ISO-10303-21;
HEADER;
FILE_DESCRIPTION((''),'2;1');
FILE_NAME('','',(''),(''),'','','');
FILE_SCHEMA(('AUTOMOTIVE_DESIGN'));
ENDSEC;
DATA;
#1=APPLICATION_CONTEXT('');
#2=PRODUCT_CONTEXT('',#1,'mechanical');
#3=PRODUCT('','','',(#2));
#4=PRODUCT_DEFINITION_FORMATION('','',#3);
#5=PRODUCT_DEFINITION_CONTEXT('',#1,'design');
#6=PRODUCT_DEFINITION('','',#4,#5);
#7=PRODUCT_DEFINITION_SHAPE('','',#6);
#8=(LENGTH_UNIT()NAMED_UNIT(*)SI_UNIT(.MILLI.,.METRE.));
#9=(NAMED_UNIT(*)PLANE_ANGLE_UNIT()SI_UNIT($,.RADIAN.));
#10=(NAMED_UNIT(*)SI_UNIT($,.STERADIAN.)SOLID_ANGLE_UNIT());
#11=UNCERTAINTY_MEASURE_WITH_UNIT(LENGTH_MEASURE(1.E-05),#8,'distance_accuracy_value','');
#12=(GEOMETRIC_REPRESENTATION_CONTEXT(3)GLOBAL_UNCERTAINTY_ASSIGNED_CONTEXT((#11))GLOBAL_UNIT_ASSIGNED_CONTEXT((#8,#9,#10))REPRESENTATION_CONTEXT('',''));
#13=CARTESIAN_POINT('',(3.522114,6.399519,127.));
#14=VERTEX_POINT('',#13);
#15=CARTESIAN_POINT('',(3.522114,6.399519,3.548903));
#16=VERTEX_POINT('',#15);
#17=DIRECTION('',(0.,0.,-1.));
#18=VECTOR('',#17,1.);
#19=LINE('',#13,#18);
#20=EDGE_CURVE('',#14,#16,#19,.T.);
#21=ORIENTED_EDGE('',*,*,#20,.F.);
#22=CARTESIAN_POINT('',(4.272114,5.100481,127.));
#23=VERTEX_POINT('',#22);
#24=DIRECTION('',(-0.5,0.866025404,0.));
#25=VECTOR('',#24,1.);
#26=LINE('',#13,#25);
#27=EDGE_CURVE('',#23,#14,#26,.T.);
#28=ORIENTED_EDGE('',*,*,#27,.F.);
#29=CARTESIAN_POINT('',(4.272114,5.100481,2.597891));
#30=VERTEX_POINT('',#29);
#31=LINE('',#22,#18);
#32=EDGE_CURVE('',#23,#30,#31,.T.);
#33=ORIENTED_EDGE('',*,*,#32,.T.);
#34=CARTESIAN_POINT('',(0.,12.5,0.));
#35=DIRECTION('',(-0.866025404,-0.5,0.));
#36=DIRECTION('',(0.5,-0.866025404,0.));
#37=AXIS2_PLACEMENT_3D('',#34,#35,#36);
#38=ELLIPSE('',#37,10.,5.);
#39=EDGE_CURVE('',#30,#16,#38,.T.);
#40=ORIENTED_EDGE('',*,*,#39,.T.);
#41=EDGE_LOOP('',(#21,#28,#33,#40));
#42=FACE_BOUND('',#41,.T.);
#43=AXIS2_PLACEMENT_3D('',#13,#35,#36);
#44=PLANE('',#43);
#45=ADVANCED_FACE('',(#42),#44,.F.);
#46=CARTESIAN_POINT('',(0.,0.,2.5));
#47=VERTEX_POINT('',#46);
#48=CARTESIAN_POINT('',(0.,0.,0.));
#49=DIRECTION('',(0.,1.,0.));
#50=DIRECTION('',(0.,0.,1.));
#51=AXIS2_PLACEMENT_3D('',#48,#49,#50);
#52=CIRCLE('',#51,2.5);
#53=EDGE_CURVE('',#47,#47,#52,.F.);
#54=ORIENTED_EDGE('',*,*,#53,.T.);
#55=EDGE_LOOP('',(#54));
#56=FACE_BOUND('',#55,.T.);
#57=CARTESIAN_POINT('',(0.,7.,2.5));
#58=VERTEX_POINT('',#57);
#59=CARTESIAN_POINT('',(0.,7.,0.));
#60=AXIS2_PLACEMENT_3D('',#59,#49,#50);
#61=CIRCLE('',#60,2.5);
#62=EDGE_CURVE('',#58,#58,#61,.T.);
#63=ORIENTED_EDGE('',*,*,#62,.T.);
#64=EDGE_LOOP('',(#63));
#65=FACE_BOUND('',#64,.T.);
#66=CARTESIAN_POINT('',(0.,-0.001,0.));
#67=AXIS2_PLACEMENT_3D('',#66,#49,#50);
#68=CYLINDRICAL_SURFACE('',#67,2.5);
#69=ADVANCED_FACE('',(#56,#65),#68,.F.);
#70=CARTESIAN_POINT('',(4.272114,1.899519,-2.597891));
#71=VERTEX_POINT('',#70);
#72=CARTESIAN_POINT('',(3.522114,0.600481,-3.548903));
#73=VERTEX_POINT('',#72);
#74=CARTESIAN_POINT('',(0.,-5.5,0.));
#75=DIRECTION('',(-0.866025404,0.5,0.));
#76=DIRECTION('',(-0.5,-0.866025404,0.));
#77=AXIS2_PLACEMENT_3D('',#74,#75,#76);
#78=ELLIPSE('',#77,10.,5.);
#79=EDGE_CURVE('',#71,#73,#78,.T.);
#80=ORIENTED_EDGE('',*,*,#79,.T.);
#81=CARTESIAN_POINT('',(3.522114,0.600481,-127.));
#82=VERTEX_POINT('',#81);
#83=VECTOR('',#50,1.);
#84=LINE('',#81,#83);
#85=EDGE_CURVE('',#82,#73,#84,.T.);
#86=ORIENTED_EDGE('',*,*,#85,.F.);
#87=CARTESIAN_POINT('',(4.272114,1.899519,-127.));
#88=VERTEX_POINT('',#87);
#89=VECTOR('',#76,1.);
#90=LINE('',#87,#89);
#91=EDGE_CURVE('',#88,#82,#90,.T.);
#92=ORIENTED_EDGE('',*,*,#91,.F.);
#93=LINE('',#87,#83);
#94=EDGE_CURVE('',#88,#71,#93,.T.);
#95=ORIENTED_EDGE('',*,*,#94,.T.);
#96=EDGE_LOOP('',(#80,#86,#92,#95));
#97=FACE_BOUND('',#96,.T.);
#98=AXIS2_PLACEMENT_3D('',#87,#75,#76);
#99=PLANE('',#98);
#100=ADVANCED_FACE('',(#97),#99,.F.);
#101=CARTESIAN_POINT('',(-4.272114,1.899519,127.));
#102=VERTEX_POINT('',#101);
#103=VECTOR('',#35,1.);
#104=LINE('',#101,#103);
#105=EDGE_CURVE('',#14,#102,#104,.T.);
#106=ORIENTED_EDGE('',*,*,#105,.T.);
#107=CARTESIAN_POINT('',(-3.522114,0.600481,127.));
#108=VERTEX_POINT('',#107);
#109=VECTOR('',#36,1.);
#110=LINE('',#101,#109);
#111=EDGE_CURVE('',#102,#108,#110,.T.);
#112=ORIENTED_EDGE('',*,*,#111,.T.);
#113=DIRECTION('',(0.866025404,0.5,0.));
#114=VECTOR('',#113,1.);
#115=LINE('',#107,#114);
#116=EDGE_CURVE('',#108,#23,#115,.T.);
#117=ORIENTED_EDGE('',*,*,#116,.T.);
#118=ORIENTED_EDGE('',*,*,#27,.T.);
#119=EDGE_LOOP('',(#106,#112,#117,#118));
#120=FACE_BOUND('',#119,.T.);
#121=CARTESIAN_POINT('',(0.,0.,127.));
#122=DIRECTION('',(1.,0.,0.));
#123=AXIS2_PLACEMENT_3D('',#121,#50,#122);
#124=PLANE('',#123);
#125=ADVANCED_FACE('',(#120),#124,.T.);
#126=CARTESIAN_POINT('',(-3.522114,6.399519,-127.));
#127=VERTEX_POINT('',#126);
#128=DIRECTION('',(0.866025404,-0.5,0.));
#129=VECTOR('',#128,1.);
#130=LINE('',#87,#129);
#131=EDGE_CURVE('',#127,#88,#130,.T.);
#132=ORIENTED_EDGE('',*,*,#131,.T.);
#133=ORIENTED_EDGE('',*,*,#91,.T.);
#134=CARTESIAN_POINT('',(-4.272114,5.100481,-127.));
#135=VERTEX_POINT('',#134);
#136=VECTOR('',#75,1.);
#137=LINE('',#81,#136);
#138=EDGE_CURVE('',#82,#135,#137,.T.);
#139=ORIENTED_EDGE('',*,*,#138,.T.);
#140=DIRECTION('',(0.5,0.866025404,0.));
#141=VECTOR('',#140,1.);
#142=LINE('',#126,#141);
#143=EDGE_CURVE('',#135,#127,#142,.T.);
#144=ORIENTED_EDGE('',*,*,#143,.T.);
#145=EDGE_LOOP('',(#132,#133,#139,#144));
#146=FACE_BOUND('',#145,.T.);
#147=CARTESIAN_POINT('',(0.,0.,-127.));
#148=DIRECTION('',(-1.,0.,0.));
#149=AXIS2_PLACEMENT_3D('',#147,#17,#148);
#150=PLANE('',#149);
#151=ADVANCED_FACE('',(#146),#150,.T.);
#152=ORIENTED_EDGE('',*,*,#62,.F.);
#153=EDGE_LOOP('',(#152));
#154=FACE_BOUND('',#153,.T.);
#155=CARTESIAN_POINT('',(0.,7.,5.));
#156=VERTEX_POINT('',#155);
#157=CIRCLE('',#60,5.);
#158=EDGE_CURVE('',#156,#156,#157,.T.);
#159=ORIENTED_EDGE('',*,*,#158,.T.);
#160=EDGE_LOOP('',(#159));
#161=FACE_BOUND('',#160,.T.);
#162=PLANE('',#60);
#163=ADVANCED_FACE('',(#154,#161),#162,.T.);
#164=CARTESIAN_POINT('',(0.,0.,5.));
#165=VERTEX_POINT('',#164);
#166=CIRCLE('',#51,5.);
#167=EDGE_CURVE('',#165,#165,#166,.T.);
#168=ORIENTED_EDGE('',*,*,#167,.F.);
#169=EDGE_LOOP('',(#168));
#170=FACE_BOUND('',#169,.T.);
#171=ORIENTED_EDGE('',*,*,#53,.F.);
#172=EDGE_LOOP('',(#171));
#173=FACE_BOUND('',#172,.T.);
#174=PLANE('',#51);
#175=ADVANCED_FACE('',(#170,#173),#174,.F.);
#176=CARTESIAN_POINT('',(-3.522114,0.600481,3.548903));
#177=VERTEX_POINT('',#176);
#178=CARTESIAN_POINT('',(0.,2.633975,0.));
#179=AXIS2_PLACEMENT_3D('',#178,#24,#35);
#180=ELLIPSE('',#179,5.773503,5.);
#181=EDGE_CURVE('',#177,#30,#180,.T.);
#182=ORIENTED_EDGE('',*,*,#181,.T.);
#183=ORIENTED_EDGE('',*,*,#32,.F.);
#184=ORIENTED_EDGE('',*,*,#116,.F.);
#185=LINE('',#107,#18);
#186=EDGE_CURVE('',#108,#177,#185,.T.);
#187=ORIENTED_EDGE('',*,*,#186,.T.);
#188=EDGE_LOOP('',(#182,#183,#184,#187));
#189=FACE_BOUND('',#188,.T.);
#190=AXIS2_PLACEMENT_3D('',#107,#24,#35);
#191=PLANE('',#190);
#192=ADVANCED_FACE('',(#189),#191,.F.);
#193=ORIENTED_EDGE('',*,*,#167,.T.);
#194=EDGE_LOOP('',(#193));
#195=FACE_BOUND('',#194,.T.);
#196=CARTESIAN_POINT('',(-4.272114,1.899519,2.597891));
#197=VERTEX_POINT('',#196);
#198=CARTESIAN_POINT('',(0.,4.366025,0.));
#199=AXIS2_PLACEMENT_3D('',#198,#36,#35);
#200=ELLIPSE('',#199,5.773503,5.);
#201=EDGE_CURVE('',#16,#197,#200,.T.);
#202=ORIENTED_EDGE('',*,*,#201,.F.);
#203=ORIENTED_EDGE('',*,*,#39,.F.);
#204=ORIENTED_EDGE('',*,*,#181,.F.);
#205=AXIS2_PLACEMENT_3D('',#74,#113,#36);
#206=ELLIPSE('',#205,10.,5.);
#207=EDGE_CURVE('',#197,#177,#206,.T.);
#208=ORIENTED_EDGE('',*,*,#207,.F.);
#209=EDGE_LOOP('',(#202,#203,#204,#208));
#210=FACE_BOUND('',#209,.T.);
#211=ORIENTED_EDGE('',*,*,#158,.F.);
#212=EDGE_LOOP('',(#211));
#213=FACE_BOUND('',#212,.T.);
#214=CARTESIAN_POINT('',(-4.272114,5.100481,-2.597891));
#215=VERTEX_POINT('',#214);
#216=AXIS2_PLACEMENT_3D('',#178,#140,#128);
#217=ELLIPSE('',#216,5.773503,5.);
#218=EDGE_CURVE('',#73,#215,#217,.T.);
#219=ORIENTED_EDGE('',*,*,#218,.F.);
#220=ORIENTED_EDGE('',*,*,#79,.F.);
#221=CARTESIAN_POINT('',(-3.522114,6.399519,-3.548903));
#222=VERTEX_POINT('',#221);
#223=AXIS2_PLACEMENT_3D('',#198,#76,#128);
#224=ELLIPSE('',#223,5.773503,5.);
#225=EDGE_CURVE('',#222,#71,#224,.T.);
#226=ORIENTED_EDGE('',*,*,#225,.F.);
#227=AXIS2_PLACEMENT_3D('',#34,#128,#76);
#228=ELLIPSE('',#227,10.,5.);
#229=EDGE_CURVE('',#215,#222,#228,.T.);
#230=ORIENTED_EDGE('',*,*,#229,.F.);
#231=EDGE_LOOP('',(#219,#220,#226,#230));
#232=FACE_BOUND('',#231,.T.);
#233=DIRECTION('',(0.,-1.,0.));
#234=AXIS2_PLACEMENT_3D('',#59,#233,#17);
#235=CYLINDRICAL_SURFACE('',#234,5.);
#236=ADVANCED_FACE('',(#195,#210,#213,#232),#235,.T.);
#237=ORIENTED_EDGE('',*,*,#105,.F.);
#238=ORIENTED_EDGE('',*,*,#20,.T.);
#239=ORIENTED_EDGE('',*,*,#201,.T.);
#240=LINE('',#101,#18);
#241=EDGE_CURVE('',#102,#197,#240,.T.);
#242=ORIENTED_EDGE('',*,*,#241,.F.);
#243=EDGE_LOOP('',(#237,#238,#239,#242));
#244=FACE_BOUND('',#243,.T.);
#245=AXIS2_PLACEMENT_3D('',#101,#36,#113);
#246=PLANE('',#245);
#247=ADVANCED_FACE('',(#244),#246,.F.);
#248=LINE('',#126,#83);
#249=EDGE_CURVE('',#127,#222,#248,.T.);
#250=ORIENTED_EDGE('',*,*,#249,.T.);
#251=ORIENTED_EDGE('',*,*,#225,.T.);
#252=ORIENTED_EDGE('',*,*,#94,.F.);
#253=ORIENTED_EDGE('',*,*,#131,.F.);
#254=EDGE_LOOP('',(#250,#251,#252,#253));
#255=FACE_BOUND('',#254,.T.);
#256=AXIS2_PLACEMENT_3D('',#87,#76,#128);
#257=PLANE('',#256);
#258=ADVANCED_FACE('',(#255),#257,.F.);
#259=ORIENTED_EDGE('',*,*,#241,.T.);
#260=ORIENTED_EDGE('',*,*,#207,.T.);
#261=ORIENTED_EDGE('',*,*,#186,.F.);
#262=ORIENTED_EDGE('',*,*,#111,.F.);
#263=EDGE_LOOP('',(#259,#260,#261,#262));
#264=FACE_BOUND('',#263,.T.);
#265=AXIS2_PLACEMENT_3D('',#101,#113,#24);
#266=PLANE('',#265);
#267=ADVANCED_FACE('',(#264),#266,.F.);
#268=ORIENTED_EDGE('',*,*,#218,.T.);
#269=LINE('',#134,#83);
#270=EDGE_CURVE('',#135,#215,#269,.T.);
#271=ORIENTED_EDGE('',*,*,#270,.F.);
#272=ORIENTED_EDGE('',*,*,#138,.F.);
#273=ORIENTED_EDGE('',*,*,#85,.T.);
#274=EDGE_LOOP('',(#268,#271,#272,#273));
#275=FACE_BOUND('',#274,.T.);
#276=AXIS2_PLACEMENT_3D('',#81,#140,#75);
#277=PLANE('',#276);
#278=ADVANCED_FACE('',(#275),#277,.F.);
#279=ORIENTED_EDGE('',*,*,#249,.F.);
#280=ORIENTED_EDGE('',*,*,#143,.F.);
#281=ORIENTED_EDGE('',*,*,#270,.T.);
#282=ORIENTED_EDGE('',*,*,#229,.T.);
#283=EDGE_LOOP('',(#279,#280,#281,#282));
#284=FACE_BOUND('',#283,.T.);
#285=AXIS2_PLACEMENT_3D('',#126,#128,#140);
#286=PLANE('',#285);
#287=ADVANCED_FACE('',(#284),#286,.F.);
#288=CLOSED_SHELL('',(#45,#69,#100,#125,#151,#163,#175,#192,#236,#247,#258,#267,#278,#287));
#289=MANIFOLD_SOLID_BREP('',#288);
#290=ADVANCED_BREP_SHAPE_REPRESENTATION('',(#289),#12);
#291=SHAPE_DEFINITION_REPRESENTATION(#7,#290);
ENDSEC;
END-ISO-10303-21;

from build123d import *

# Parameters (mm, degrees)
SKETCH_1_R               = 5
EXTRUDE_1_DEPTH          = 7
EXTRUDE_2_DEPTH          = 127
PATTERN_CIRCULAR_1_COUNT = 2
CUT_EXTRUDE_1_REACH      = 129.291
SKETCH_2_R               = 2.5


with BuildPart() as part:
    # 草图1 → 凸台-拉伸1 (new body)
    with BuildSketch(Plane(origin=(0, 0, 0), x_dir=(1, 0, 0), z_dir=(0, 1, 0))):
        with Locations(Location((0, 0, 0), (0, 0, 270))):
            Circle(SKETCH_1_R)
    extrude(amount=EXTRUDE_1_DEPTH)

    # 草图3 → 凸台-拉伸2 (add)
    with BuildSketch(Plane.XY):
        Polygon((-4.272114317, 1.899519053), (3.522114317, 6.399519053), (4.272114317, 5.100480947), (-3.522114317, 0.600480947), align=None)
    extrude_2 = extrude(amount=EXTRUDE_2_DEPTH)

    # 阵列(圆周)1: 凸台-拉伸2 ×2 about axis
    pattern_circular_1_axis = Axis((0, 0, 0), (0, 1, 0))
    for i in range(1, PATTERN_CIRCULAR_1_COUNT):
        add(extrude_2.rotate(pattern_circular_1_axis, i * 360 / PATTERN_CIRCULAR_1_COUNT))

    # 草图2 → 切除-拉伸1 (cut, up to next)
    with BuildSketch(Plane(origin=(0, 7, 0), x_dir=(1, 0, 0), z_dir=(0, 1, 0)), mode=Mode.PRIVATE) as cut_extrude_1_sk1:
        with Locations(Location((0, 0, 0), (0, 0, 270))):
            Circle(SKETCH_2_R)
    cut_extrude_1_tool1 = extrude(cut_extrude_1_sk1.sketch, amount=-CUT_EXTRUDE_1_REACH, mode=Mode.PRIVATE) & part.part
    add(cut_extrude_1_tool1.solids().sort_by_distance((0, 7, 0))[0], mode=Mode.SUBTRACT)


solid = part.part
